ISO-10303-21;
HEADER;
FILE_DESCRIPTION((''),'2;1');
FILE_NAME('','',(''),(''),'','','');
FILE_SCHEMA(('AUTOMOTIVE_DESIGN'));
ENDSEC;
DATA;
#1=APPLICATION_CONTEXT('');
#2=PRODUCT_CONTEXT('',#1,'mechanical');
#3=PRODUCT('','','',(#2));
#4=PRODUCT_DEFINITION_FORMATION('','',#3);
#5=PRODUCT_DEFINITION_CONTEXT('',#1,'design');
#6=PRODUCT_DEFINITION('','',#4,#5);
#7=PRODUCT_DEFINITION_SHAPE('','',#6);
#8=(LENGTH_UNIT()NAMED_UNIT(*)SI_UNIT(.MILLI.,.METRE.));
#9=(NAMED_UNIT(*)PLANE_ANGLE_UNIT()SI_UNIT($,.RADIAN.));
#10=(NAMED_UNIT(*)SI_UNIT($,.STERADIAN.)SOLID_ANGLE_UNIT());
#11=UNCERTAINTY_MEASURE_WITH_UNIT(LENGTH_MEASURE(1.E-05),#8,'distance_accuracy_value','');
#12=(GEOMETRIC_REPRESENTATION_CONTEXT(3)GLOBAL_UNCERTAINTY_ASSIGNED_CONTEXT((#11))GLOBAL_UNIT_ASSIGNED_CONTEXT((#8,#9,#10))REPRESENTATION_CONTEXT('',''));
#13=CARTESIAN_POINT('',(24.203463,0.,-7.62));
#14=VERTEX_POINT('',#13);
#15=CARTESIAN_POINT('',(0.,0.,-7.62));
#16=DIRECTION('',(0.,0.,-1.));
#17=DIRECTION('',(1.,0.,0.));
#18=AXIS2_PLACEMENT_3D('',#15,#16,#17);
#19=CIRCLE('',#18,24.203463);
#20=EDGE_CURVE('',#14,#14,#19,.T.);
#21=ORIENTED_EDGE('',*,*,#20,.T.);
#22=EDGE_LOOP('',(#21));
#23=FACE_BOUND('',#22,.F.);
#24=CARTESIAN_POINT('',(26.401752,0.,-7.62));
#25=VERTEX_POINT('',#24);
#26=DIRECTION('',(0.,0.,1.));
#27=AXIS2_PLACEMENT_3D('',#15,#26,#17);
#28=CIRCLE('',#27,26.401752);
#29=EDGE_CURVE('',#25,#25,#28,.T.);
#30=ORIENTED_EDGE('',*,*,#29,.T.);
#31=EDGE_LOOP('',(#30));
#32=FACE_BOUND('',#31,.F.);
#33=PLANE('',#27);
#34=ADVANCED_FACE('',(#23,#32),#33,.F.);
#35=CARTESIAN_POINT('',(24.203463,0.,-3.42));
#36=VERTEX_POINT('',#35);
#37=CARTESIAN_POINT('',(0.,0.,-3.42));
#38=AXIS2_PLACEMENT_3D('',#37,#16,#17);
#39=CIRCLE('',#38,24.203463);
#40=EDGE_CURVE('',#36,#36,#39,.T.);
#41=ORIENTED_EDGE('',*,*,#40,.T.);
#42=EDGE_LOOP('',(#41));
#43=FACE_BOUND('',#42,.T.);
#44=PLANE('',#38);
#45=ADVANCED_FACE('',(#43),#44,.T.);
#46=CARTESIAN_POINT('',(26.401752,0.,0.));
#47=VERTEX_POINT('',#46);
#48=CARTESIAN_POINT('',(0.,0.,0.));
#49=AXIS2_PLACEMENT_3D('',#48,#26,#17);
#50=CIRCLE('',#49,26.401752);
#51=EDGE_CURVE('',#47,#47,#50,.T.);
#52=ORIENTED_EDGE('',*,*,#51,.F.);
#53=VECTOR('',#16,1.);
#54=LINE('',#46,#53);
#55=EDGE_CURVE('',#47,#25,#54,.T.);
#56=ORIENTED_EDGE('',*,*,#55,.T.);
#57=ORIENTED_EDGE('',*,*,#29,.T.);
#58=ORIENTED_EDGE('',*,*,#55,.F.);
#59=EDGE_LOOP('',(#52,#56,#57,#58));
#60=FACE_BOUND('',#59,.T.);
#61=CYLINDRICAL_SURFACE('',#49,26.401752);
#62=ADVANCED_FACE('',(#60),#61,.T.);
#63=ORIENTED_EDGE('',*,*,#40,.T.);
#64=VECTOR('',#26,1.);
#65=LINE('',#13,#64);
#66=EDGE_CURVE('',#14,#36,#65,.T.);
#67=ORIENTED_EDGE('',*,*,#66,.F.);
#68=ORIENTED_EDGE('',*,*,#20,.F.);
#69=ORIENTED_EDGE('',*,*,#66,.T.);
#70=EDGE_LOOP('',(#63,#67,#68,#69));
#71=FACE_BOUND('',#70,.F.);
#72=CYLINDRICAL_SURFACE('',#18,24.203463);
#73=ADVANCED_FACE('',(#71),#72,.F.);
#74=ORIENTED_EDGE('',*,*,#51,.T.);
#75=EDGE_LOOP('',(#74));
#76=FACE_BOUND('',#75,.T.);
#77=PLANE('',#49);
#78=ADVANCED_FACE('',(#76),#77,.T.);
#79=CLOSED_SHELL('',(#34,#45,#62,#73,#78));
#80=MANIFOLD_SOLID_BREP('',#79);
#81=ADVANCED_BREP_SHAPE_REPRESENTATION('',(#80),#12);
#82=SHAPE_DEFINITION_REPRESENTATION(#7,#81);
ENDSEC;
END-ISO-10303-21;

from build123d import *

# Parameters (mm, degrees)
F0_R     = 26.401752
F1_DEPTH = 7.62
F2_R     = 24.203463
F3_DEPTH = 4.2


with BuildPart() as f1:
    # F0 (on Top) → F1 (new body)
    with BuildSketch(Plane.XY):
        Circle(F0_R)
    extrude(amount=-F1_DEPTH)

    # F2 (on face) → F3 (cut)
    with BuildSketch(Plane(origin=(0, 0, -7.62), x_dir=(1, 0, 0), z_dir=(0, 0, -1))):
        Circle(F2_R)
    extrude(amount=-F3_DEPTH, mode=Mode.SUBTRACT)


solid = f1.part
